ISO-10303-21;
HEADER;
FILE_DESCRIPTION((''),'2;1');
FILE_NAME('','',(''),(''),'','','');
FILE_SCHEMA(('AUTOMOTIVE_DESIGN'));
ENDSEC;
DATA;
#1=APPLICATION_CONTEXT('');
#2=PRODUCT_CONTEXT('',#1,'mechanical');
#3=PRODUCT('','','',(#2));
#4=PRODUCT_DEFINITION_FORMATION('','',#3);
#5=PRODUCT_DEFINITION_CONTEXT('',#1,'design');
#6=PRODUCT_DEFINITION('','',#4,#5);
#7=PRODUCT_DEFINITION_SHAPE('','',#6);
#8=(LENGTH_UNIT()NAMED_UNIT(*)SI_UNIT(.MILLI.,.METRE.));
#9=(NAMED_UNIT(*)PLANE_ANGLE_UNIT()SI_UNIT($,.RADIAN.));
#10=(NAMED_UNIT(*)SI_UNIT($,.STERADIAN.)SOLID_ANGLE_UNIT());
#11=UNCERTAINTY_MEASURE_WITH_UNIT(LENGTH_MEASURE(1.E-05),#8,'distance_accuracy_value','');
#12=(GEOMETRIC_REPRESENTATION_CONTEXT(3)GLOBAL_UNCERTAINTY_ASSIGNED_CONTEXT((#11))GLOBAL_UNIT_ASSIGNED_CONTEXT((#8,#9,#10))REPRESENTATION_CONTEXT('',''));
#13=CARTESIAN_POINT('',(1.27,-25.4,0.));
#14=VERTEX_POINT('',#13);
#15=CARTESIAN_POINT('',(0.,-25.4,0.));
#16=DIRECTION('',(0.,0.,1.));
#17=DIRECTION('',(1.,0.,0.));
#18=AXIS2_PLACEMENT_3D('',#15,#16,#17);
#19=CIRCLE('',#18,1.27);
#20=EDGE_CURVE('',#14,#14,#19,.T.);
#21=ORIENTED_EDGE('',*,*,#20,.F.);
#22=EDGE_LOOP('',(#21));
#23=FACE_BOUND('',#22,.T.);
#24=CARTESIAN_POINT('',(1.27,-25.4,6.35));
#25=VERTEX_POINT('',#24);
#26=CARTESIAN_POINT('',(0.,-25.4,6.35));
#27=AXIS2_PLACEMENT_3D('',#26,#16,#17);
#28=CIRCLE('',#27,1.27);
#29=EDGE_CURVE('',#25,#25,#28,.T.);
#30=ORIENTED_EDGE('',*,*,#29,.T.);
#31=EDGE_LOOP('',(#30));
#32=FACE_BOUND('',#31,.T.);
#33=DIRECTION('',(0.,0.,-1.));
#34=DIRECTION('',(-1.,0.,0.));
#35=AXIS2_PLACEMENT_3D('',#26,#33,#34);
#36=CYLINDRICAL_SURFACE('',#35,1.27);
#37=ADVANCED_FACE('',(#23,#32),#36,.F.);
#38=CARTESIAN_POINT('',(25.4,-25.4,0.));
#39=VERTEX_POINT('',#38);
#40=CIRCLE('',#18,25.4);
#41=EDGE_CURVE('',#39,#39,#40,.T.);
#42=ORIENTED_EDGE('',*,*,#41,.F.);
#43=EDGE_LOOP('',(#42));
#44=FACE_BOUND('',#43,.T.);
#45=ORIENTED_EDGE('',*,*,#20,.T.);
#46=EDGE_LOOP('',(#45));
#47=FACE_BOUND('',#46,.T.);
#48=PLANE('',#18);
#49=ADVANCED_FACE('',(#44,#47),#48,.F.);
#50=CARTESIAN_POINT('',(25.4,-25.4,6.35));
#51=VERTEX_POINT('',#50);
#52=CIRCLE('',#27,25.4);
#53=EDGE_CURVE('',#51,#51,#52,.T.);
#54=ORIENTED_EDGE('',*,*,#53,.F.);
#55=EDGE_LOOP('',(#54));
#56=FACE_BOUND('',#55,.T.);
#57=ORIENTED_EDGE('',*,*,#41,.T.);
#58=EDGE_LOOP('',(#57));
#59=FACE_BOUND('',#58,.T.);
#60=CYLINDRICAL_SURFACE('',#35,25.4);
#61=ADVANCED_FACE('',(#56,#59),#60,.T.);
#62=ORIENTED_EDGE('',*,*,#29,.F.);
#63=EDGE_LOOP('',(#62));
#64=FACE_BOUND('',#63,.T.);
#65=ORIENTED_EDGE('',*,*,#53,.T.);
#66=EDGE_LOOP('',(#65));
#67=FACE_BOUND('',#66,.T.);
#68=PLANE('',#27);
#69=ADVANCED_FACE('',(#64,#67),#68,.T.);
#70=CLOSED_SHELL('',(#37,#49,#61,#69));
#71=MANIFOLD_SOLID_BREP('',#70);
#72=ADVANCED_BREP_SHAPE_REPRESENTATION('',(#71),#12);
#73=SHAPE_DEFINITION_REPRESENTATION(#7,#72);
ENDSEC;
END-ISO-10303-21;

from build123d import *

# Parameters (mm, degrees)
SKETCH1_R           = 25.4
SKETCH1_R_2         = 1.27
BOSS_EXTRUDE1_DEPTH = 6.35


with BuildPart() as part:
    # Sketch1 → Boss-Extrude1 (new body)
    with BuildSketch(Plane.XY):
        with Locations((0, -25.4)):
            Circle(SKETCH1_R)
        with Locations((0, -25.4)):
            Circle(SKETCH1_R_2, mode=Mode.SUBTRACT)
    extrude(amount=BOSS_EXTRUDE1_DEPTH)


solid = part.part
